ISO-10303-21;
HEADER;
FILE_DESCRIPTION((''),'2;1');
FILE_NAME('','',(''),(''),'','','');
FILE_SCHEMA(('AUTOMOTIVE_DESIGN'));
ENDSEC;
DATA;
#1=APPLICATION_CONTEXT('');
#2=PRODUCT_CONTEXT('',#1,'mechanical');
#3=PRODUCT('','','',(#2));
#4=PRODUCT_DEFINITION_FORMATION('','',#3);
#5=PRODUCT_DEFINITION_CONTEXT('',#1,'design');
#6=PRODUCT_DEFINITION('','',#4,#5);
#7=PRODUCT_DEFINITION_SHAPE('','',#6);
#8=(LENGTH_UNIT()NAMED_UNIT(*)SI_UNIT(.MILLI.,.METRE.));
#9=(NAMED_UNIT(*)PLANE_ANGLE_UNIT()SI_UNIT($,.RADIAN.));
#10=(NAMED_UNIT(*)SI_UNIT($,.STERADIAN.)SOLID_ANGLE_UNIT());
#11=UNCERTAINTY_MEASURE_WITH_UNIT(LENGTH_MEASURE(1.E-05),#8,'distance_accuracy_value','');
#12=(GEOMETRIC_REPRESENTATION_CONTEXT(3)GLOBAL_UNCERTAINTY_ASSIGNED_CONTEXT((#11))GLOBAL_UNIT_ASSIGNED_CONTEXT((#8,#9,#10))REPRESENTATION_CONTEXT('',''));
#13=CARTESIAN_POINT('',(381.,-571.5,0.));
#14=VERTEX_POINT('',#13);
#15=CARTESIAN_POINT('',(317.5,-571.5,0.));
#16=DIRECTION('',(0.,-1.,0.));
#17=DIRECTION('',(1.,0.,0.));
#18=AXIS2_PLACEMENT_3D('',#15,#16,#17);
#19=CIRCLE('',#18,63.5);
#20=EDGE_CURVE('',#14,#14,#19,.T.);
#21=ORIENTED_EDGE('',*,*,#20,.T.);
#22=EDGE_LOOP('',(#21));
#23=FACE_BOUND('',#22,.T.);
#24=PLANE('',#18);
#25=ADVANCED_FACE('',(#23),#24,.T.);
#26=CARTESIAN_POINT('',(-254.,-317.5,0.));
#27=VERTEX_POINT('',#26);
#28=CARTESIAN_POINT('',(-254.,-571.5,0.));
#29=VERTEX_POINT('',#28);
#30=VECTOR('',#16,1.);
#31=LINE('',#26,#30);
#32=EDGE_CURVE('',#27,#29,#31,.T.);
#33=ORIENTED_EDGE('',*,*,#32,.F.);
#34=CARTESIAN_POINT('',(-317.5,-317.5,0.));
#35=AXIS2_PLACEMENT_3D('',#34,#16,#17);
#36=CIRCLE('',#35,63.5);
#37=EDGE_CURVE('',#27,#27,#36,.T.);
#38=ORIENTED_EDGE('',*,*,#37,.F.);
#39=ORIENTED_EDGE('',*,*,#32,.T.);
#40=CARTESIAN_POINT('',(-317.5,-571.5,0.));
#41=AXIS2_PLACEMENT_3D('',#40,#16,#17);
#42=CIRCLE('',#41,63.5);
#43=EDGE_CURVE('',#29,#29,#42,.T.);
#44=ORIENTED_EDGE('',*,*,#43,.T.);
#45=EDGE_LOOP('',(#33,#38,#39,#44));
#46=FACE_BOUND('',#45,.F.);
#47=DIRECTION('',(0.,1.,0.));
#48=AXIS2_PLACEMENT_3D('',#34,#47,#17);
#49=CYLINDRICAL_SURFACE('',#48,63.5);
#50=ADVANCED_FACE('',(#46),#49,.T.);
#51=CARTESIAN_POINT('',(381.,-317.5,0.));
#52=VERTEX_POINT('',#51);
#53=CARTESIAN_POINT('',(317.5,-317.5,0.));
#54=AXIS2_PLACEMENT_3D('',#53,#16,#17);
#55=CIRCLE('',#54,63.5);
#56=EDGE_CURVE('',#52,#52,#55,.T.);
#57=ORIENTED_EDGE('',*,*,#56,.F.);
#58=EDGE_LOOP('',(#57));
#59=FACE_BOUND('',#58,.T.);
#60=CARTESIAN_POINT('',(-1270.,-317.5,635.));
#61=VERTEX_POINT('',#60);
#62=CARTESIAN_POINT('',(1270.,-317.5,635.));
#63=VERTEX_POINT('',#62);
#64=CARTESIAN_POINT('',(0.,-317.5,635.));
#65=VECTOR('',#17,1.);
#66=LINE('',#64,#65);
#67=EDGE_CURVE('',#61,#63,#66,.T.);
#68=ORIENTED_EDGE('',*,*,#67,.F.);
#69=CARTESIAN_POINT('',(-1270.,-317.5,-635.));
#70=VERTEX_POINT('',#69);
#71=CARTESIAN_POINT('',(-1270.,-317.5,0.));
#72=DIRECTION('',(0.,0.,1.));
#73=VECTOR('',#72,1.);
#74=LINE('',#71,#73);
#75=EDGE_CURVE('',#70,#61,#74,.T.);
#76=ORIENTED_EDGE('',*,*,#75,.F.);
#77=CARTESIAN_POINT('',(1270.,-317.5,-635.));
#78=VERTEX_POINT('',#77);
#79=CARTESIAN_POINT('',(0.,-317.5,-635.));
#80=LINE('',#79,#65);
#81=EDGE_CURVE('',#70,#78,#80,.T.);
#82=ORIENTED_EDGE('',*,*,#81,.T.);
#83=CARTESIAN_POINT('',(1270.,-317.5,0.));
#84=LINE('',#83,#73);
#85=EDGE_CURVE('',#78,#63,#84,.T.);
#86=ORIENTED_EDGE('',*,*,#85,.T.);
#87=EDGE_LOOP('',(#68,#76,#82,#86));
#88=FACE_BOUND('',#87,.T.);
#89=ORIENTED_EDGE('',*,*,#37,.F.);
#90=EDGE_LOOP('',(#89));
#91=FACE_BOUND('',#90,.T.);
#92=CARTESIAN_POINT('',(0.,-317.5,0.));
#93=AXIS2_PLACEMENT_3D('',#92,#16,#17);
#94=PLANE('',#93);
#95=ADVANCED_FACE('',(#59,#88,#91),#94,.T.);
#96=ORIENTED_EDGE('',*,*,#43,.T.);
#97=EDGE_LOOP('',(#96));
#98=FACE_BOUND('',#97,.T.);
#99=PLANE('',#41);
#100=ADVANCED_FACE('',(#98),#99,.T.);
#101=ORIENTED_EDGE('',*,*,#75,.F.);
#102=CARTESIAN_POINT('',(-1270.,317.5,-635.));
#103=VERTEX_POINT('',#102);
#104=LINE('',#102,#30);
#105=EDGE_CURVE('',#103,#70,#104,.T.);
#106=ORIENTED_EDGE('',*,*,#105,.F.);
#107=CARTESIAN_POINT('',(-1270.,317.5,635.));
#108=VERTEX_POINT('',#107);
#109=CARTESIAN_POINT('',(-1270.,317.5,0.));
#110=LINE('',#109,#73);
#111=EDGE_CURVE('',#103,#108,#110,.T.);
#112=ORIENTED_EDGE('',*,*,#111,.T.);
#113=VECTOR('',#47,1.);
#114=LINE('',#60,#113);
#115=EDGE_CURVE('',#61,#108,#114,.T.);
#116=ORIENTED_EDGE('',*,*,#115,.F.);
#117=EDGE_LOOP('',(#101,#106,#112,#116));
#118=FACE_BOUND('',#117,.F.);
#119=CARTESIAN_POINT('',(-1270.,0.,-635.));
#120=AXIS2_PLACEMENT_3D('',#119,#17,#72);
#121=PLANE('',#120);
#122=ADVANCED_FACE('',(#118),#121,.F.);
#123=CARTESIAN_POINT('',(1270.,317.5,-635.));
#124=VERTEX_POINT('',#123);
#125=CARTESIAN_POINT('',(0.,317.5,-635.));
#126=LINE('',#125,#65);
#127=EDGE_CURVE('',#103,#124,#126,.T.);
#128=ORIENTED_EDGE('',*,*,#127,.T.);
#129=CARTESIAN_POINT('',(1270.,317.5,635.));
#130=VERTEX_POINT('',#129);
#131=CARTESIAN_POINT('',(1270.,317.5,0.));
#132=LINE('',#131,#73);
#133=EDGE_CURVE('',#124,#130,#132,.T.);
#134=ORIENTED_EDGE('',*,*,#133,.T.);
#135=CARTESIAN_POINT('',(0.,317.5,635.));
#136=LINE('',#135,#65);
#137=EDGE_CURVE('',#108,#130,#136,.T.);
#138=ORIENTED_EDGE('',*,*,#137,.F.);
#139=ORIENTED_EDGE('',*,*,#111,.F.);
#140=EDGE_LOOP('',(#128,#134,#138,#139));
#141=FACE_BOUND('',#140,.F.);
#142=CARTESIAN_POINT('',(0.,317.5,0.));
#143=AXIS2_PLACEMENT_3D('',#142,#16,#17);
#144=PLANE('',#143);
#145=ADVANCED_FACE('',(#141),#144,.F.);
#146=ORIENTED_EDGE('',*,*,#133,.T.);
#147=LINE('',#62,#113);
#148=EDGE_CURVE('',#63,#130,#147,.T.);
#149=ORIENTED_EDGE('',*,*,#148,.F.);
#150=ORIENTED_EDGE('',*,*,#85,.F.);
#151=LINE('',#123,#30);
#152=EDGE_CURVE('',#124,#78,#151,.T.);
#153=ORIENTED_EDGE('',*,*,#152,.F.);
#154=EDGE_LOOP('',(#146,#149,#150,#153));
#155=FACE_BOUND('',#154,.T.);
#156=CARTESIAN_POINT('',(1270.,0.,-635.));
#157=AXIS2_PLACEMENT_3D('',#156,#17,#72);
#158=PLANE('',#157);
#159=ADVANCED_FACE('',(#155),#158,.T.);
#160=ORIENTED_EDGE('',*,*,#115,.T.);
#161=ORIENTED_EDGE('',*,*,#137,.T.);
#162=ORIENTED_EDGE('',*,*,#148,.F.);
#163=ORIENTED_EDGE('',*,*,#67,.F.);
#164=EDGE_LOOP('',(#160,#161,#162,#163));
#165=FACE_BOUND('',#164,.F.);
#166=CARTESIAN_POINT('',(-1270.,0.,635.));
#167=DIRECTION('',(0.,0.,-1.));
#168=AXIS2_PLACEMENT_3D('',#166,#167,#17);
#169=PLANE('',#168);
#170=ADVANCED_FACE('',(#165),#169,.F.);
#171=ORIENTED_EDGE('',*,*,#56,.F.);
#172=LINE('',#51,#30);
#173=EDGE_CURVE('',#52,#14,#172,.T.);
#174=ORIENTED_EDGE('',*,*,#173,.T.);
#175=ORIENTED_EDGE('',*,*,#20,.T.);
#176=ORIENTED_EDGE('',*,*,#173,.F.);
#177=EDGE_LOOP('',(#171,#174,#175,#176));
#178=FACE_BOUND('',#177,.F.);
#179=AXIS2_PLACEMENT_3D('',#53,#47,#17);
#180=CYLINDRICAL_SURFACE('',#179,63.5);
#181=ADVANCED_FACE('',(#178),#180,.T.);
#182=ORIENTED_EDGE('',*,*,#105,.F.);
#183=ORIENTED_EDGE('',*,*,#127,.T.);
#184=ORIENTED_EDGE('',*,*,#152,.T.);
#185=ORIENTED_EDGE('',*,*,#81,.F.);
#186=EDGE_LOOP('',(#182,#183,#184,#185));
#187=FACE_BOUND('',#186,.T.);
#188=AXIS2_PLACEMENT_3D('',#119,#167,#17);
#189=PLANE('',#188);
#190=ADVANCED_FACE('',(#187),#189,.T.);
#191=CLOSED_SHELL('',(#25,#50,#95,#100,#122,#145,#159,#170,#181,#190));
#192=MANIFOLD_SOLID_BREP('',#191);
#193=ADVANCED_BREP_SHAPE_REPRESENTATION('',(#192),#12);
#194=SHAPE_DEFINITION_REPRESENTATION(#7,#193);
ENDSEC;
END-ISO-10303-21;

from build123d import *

# Parameters (mm, degrees)
F0_W     = 2540
F0_H     = 1270
F1_DEPTH = 317.5
F2_R     = 63.5
F3_DEPTH = 254


with BuildPart() as f1:
    # F0 (on Front) → F1 (new body, symmetric)
    with BuildSketch(Plane.XZ):
        Rectangle(F0_W, F0_H)
    extrude(amount=F1_DEPTH, both=True)

    # F2 (on face) → F3 (join)
    with BuildSketch(Plane.XZ.offset(317.5)):
        with Locations((-317.5, 0)):
            Circle(F2_R)
        with Locations((317.5, 0)):
            Circle(F2_R)
    extrude(amount=F3_DEPTH)


solid = f1.part
